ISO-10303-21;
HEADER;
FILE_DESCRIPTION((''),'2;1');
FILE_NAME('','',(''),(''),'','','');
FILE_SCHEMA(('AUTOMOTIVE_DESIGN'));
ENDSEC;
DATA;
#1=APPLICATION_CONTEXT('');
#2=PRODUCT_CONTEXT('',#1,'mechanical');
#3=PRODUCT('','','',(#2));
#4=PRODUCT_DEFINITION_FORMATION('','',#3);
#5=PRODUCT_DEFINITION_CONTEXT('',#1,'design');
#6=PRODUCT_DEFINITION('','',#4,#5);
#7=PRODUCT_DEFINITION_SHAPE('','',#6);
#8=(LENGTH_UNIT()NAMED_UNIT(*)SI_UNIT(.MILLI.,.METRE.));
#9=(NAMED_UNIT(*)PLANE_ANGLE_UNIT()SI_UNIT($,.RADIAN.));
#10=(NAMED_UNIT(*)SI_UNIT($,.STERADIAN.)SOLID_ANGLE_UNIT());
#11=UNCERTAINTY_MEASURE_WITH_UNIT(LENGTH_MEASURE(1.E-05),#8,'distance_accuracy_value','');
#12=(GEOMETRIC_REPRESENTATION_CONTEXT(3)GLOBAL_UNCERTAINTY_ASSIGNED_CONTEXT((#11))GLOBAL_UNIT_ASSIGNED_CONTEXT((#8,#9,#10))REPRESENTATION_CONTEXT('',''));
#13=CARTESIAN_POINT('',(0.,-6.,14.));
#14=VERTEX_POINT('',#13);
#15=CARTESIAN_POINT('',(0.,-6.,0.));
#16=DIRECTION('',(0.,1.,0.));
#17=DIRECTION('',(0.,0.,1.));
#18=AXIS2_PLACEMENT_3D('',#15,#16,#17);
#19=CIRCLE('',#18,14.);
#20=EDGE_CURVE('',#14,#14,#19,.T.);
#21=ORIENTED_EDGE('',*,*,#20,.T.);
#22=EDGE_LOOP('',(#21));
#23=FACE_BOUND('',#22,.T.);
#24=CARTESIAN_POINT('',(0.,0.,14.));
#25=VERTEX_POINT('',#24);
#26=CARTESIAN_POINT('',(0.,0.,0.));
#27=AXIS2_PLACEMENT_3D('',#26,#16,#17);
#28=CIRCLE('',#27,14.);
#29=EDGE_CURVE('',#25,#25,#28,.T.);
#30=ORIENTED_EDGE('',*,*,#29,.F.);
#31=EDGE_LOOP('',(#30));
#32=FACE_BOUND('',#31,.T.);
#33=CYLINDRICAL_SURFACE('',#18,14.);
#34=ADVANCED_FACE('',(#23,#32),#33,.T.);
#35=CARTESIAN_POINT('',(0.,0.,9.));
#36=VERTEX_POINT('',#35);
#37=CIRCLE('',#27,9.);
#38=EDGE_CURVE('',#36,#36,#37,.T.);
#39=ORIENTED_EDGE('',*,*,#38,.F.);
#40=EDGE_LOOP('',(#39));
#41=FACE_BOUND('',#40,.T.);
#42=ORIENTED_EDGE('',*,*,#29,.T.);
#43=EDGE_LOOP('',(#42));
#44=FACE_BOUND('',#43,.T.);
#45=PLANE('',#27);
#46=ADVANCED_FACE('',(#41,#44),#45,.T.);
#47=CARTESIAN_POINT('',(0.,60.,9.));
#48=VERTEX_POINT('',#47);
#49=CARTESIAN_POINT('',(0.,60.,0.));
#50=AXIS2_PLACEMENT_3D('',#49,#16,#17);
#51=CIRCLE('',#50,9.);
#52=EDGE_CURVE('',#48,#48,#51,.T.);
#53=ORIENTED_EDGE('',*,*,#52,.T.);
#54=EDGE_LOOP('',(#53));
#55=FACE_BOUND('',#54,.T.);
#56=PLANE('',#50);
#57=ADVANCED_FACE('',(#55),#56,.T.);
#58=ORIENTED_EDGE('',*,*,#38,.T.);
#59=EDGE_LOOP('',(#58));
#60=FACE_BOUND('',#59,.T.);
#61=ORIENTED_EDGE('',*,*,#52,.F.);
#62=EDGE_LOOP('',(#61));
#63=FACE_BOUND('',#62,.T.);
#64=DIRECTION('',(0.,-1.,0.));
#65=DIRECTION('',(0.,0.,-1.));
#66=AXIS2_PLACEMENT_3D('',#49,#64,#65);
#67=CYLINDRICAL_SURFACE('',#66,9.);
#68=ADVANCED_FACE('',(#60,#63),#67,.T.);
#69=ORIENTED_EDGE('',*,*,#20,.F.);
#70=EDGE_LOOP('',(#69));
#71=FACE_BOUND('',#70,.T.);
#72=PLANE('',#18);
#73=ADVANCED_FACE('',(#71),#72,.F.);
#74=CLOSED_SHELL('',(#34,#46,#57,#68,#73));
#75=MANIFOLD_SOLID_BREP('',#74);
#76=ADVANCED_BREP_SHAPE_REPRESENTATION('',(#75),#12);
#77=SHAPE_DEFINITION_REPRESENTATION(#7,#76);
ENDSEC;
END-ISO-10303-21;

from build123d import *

# Parameters (mm, degrees)
SKETCH1_R           = 9
BOSS_EXTRUDE2_DEPTH = 60
SKETCH1_3_R         = 14
BOSS_EXTRUDE3_DEPTH = 6


with BuildPart() as part:
    # Sketch1 → Boss-Extrude2 (new body)
    with BuildSketch(Plane(origin=(0, 0, 0), x_dir=(1, 0, 0), z_dir=(0, 1, 0))):
        Circle(SKETCH1_R)
    extrude(amount=BOSS_EXTRUDE2_DEPTH)

    # Sketch1<3> → Boss-Extrude3 (add)
    with BuildSketch(Plane(origin=(0, 0, 0), x_dir=(1, 0, 0), z_dir=(0, 1, 0))):
        Circle(SKETCH1_3_R)
    extrude(amount=-BOSS_EXTRUDE3_DEPTH)


solid = part.part
